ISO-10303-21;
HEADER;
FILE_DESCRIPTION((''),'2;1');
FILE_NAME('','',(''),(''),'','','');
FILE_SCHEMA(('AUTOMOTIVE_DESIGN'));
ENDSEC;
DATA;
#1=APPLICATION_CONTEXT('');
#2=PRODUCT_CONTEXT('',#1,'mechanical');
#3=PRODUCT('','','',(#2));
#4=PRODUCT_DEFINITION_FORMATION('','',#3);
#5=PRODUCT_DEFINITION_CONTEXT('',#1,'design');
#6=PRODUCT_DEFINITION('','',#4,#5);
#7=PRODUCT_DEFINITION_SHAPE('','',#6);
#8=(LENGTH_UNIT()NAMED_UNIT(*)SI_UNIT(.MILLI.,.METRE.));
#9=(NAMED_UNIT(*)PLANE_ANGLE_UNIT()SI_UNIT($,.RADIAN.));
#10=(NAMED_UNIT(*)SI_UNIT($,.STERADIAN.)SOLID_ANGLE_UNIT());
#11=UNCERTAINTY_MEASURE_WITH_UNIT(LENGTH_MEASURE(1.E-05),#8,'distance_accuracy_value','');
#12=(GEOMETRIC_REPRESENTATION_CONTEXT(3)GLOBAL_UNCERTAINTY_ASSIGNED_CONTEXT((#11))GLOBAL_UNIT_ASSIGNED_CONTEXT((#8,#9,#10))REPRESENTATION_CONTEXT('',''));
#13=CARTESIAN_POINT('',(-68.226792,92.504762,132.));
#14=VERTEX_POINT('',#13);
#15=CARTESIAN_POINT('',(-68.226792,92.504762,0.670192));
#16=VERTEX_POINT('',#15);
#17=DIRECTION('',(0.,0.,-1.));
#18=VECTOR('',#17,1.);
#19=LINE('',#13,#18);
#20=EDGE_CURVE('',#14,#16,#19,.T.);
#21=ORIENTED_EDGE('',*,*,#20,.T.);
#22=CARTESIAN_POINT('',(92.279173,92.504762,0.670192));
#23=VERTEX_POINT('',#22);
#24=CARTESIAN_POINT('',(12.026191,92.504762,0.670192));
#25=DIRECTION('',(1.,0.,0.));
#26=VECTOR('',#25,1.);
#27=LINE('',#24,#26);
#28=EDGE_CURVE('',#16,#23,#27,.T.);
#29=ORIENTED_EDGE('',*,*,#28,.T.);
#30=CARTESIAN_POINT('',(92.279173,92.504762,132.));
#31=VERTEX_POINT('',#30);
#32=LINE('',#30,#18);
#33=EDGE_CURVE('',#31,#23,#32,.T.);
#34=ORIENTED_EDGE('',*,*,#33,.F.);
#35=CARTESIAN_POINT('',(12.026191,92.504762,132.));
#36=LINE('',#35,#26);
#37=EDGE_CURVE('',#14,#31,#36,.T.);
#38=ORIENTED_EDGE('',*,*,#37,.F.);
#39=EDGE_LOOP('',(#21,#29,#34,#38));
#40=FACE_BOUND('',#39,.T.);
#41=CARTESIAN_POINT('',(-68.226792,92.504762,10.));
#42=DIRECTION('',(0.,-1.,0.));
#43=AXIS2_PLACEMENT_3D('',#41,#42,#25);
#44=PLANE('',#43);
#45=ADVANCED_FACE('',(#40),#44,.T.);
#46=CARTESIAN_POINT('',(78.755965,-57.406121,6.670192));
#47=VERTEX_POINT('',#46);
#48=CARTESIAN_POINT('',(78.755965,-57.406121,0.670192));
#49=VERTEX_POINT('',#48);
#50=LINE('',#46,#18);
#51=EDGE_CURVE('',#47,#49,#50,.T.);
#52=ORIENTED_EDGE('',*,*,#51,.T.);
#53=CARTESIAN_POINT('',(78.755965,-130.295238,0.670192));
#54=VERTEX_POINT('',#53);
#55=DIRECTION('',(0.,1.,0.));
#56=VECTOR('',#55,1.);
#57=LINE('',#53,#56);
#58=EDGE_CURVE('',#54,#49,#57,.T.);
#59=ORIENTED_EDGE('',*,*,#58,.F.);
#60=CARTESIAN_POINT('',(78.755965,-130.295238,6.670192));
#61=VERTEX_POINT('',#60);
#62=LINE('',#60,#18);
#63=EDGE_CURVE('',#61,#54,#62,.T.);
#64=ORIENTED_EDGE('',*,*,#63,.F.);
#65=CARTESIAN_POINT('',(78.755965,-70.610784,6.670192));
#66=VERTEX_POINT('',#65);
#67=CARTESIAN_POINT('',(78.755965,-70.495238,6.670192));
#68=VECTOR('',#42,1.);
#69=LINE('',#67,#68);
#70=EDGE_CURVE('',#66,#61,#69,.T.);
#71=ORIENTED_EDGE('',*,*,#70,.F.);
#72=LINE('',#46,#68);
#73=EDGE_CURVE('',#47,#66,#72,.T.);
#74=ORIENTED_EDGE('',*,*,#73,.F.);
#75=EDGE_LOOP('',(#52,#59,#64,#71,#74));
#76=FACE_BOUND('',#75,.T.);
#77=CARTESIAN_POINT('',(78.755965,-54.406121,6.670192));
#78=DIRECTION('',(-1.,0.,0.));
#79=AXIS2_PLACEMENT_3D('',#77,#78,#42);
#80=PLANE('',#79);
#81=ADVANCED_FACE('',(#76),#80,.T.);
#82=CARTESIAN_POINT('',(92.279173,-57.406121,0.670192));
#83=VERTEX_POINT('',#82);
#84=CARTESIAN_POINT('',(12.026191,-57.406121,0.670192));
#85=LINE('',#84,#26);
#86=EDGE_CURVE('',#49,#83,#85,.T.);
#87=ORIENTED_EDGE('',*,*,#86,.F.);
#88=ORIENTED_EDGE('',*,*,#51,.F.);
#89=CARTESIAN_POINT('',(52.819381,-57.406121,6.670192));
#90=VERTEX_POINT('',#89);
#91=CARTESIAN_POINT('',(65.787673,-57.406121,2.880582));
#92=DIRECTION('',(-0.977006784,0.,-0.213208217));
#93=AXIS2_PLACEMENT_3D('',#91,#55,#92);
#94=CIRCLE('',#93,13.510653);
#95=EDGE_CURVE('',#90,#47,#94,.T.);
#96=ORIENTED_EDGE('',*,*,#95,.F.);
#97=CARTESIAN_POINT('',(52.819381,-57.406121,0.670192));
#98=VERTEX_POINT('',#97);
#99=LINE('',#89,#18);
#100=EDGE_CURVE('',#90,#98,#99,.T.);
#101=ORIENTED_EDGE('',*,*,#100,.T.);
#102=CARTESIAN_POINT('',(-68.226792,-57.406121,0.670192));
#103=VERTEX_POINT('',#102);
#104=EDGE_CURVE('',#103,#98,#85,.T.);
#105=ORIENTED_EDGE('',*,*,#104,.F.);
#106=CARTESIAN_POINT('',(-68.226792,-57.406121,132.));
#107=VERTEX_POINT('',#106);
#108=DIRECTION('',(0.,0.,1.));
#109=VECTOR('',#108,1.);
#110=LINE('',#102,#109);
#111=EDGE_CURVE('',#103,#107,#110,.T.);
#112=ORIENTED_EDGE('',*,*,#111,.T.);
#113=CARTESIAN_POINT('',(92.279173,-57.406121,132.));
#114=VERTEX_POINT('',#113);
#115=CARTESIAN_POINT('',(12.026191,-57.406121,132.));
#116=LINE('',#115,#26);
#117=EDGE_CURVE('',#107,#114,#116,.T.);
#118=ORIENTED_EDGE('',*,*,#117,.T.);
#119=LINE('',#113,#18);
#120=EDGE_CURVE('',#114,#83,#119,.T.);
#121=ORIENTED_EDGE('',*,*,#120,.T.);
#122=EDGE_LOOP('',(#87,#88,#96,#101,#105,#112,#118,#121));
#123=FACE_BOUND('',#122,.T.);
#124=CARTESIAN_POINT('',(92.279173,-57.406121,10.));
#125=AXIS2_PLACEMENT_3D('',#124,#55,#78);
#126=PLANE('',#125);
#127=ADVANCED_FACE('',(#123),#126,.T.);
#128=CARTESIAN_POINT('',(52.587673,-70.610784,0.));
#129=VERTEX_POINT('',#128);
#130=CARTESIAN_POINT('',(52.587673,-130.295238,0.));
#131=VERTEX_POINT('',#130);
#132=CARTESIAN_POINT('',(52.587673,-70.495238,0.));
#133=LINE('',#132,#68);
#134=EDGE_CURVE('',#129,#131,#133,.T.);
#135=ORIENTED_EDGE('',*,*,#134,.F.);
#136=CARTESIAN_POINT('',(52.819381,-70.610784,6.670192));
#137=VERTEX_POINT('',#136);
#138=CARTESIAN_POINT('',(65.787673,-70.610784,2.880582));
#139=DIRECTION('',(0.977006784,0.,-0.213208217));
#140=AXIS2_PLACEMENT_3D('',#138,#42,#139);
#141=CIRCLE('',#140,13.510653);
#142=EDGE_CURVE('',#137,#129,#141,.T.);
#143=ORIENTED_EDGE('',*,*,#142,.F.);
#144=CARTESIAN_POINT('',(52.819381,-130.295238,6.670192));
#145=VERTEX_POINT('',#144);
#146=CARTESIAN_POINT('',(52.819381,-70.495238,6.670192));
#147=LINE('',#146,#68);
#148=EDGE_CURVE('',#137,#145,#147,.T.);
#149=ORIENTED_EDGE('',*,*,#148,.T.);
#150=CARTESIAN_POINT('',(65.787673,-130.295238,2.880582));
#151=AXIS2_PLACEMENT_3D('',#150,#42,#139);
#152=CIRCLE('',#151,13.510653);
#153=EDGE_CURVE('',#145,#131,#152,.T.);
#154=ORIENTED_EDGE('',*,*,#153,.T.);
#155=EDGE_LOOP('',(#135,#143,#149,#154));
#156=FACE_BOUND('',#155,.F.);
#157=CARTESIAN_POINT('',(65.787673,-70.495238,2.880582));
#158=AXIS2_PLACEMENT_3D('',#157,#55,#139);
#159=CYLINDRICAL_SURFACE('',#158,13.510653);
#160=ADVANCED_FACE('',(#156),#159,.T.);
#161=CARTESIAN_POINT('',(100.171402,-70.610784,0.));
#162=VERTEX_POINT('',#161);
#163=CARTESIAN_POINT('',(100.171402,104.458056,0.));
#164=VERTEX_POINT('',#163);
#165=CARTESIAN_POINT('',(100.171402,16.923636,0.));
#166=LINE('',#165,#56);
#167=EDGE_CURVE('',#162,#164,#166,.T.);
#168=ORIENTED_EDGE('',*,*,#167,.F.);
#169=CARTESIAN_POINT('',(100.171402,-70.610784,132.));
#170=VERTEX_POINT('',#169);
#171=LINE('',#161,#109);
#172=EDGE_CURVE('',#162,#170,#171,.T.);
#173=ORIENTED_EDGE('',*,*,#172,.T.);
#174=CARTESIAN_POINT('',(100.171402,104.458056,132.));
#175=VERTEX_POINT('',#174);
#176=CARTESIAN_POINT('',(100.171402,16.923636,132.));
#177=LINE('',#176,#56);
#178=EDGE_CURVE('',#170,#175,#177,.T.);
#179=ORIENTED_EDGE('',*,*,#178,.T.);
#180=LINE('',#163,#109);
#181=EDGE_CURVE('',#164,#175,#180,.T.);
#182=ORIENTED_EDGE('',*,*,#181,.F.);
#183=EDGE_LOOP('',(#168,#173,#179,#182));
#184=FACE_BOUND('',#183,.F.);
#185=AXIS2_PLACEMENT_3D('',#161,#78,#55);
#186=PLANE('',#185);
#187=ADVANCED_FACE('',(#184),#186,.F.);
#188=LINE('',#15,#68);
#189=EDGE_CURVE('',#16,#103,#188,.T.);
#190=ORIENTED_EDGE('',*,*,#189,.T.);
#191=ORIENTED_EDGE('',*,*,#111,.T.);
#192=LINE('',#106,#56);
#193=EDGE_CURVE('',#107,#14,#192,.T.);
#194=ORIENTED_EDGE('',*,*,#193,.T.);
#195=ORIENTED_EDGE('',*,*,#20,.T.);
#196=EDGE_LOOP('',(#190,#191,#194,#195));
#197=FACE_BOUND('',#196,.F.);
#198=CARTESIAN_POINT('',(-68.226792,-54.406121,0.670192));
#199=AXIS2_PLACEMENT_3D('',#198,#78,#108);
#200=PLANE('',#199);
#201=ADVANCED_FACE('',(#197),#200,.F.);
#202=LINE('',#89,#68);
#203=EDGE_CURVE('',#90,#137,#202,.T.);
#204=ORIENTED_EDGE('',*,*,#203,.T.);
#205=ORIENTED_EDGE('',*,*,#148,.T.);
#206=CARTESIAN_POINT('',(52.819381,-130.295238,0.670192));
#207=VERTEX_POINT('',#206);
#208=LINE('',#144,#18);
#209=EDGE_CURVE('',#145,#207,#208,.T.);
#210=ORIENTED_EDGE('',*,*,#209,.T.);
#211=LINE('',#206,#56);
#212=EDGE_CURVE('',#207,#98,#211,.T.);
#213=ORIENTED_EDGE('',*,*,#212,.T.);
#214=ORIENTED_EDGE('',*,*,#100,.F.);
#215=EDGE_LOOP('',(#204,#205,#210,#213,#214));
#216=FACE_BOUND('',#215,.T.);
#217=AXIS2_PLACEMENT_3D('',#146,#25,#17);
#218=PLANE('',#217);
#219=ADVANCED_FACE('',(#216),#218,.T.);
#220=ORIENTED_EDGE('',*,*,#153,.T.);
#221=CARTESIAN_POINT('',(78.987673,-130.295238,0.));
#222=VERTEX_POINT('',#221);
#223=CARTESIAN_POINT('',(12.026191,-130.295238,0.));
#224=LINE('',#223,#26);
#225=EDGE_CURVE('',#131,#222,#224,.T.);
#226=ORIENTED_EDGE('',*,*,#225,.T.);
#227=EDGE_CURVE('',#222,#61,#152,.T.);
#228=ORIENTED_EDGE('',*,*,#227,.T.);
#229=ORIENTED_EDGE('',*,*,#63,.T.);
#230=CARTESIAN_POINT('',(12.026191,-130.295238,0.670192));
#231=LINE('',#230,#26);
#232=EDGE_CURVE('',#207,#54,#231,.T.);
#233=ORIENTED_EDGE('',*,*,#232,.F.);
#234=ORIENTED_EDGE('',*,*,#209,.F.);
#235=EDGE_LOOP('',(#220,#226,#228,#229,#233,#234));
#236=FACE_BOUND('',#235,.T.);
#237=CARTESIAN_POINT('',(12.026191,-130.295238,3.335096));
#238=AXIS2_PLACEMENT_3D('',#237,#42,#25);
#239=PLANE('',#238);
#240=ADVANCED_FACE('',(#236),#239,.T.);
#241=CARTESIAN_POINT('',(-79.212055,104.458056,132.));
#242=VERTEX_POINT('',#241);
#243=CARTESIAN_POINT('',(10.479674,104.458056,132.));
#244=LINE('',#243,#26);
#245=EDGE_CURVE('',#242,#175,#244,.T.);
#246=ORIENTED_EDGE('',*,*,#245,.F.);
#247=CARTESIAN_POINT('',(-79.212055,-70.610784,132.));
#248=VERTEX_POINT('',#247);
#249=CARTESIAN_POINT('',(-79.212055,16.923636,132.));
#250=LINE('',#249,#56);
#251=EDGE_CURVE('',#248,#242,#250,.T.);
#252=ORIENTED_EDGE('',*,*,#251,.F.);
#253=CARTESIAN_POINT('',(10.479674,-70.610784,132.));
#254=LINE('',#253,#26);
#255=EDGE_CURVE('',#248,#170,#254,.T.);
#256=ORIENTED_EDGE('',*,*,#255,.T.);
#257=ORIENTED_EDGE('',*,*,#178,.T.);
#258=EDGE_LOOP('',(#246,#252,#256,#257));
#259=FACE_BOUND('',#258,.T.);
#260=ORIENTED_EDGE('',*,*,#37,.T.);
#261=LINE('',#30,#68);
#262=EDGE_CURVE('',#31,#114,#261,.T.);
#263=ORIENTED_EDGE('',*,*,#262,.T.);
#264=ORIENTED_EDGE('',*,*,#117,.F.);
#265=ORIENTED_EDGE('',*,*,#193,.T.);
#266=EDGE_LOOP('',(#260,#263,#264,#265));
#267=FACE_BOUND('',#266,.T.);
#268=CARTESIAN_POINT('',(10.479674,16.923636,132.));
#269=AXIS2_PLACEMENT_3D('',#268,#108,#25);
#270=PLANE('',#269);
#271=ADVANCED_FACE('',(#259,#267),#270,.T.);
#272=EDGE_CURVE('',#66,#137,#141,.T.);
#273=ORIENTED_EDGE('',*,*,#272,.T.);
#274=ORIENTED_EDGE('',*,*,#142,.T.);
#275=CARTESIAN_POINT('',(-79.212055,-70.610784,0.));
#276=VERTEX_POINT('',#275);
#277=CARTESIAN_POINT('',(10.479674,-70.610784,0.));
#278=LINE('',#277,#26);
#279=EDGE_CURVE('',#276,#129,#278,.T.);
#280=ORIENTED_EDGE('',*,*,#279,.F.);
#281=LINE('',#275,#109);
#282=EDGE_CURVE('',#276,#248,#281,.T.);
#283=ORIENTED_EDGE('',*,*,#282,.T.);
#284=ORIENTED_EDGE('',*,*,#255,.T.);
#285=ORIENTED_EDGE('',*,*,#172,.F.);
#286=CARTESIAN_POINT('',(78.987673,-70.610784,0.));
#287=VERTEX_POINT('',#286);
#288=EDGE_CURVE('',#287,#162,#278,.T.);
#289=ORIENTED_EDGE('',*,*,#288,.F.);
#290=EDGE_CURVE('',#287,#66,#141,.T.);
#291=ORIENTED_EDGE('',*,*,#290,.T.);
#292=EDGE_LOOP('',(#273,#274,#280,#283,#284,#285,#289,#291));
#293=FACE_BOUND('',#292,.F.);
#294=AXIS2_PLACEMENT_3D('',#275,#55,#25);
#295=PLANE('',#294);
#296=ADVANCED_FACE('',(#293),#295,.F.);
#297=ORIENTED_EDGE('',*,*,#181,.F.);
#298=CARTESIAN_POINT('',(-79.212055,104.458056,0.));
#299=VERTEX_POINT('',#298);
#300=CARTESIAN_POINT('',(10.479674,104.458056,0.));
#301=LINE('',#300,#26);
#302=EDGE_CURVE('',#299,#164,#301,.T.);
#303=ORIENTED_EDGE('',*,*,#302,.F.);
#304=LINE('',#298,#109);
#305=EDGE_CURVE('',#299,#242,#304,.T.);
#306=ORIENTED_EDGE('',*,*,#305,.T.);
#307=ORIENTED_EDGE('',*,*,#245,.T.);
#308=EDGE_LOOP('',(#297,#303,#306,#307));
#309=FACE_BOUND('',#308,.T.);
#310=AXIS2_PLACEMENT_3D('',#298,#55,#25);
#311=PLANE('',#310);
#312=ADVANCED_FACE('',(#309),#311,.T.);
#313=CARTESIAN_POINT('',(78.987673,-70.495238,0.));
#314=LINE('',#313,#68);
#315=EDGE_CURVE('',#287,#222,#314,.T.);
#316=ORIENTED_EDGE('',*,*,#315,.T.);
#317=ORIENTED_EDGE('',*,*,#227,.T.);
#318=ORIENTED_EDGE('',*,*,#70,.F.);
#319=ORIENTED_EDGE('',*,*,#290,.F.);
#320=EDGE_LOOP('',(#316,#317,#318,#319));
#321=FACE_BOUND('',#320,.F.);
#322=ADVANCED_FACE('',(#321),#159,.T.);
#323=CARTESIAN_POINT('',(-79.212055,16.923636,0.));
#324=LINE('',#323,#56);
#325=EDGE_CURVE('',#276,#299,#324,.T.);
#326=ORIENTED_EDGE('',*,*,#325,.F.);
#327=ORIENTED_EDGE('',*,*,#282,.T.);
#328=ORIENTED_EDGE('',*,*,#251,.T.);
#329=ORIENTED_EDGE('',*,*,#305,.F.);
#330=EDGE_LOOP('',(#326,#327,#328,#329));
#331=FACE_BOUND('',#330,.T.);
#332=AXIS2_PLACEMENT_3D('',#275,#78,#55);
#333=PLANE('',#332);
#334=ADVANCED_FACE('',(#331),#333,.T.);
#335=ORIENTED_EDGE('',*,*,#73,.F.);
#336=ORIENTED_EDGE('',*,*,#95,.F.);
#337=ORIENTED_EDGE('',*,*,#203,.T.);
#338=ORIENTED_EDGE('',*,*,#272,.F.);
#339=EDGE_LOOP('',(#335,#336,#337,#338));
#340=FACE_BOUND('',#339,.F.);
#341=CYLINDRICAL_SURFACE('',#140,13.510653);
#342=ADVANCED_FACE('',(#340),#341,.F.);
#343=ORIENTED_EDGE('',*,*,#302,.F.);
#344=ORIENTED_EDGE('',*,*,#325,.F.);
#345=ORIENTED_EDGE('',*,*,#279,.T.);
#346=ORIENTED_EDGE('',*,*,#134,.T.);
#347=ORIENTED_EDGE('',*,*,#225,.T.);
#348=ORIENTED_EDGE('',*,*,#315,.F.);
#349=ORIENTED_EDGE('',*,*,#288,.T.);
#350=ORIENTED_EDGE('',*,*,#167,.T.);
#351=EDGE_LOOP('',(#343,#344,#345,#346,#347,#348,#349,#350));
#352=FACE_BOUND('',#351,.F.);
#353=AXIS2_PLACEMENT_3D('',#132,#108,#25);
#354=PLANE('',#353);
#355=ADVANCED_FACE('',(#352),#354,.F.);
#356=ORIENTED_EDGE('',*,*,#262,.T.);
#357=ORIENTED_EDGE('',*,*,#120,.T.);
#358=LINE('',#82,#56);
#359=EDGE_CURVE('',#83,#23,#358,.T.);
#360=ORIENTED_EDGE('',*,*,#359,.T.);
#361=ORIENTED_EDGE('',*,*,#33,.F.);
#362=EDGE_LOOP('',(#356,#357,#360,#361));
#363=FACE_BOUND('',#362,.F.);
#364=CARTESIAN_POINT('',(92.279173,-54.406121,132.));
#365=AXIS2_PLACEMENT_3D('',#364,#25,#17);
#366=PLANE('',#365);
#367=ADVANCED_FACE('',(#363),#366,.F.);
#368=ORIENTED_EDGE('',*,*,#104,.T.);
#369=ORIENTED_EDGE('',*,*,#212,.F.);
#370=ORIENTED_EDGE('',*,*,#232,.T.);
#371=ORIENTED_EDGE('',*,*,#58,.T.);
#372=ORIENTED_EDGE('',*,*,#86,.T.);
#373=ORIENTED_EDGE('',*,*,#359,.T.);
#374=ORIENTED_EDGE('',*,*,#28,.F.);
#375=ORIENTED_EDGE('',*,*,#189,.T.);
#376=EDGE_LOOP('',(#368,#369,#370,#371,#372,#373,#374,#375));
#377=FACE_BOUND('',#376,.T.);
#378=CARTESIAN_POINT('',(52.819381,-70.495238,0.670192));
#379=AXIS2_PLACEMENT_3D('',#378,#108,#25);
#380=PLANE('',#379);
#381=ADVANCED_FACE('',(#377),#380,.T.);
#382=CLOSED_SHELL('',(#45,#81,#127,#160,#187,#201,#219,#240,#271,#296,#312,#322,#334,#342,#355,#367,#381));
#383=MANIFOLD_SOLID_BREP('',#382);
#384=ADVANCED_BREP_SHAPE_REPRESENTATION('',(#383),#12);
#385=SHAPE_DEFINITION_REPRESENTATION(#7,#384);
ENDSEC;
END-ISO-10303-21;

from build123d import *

# Parameters (mm, degrees)
F0_W      = 179.383456707
F0_H      = 175.0688403845
F0_W_2    = 160.5059653521
F0_H_2    = 146.9108834863
F1_DEPTH  = 132
F3_DEPTH  = 25
F5_DEPTH  = 10
F6_DEPTH  = 10
F7_W      = 160.5059653521
F7_H      = 6.6701923497
F8_DEPTH  = 163
F9_DEPTH  = 6
F10_DEPTH = 3
F11_DEPTH = 59.8


with BuildPart() as f1:
    # F0 (on Top) → F1 (new body)
    with BuildSketch(Plane.XY):
        with Locations((10.4796737432, 16.923636198)):
            Rectangle(F0_W, F0_H)
        with Locations((12.0261907578, 19.04932037)):
            Rectangle(F0_W_2, F0_H_2, mode=Mode.SUBTRACT)
    extrude(amount=F1_DEPTH)

    # F2 (on face) → F3 (cut)
    with BuildSketch(Plane.XZ.offset(70.6107839942)):
        with BuildLine():
            Line((52.587673068, 0), (78.987672925, 0))
            ThreePointArc((78.987672925, 0), (65.7876729965, 16.3912356025), (52.587673068, 0))
        make_face()
    extrude(amount=-F3_DEPTH, mode=Mode.SUBTRACT)

    # F4 (on face) → F5 (join)
    with BuildSketch(Plane(origin=(0, 0, 0), x_dir=(1, 0, 0), z_dir=(0, 0, -1))):
        Polygon((52.587673068, 54.4061213732), (-68.2267919183, 54.4061213732), (-68.2267919183, -92.5047621131), (92.2791734338, -92.5047621131), (92.2791734338, 54.4061213732), (78.987672925, 54.4061213732), align=None)
    extrude(amount=-F5_DEPTH)

    # F6 (cut): a face of the model
    f6_faces = [f1.faces().sort_by_distance(p)[0] for p in [
        (12.0261907578, 19.04932037, 10),
    ]]
    extrude(f6_faces, amount=-F6_DEPTH, mode=Mode.SUBTRACT)

    # F7 (on face) → F8 (join)
    with BuildSketch(Plane.XZ.offset(-92.5047621131)):
        with Locations((12.0261907578, 3.3350961749)):
            Rectangle(F7_W, F7_H)
    extrude(amount=F8_DEPTH)

    # F9 (cut): a face of the model
    f9_faces = [f1.faces().sort_by_distance(p)[0] for p in [
        (12.9610636672, 17.6320948964, 6.6701923497),
    ]]
    extrude(f9_faces, amount=-F9_DEPTH, mode=Mode.SUBTRACT)

    # F10 (cut): a face of the model
    f10_faces = [f1.faces().sort_by_distance(p)[0] for p in [
        (11.1413753664, -54.4061213732, 67.3034038031),
    ]]
    extrude(f10_faces, amount=-F10_DEPTH, mode=Mode.SUBTRACT)

    # F11 (add): a face of the model
    f11_faces = [f1.faces().sort_by_distance(p)[0] for p in [
        (52.5633202811, -70.4952378869, 3.3399666354),
    ]]
    extrude(f11_faces, amount=F11_DEPTH)


solid = f1.part
